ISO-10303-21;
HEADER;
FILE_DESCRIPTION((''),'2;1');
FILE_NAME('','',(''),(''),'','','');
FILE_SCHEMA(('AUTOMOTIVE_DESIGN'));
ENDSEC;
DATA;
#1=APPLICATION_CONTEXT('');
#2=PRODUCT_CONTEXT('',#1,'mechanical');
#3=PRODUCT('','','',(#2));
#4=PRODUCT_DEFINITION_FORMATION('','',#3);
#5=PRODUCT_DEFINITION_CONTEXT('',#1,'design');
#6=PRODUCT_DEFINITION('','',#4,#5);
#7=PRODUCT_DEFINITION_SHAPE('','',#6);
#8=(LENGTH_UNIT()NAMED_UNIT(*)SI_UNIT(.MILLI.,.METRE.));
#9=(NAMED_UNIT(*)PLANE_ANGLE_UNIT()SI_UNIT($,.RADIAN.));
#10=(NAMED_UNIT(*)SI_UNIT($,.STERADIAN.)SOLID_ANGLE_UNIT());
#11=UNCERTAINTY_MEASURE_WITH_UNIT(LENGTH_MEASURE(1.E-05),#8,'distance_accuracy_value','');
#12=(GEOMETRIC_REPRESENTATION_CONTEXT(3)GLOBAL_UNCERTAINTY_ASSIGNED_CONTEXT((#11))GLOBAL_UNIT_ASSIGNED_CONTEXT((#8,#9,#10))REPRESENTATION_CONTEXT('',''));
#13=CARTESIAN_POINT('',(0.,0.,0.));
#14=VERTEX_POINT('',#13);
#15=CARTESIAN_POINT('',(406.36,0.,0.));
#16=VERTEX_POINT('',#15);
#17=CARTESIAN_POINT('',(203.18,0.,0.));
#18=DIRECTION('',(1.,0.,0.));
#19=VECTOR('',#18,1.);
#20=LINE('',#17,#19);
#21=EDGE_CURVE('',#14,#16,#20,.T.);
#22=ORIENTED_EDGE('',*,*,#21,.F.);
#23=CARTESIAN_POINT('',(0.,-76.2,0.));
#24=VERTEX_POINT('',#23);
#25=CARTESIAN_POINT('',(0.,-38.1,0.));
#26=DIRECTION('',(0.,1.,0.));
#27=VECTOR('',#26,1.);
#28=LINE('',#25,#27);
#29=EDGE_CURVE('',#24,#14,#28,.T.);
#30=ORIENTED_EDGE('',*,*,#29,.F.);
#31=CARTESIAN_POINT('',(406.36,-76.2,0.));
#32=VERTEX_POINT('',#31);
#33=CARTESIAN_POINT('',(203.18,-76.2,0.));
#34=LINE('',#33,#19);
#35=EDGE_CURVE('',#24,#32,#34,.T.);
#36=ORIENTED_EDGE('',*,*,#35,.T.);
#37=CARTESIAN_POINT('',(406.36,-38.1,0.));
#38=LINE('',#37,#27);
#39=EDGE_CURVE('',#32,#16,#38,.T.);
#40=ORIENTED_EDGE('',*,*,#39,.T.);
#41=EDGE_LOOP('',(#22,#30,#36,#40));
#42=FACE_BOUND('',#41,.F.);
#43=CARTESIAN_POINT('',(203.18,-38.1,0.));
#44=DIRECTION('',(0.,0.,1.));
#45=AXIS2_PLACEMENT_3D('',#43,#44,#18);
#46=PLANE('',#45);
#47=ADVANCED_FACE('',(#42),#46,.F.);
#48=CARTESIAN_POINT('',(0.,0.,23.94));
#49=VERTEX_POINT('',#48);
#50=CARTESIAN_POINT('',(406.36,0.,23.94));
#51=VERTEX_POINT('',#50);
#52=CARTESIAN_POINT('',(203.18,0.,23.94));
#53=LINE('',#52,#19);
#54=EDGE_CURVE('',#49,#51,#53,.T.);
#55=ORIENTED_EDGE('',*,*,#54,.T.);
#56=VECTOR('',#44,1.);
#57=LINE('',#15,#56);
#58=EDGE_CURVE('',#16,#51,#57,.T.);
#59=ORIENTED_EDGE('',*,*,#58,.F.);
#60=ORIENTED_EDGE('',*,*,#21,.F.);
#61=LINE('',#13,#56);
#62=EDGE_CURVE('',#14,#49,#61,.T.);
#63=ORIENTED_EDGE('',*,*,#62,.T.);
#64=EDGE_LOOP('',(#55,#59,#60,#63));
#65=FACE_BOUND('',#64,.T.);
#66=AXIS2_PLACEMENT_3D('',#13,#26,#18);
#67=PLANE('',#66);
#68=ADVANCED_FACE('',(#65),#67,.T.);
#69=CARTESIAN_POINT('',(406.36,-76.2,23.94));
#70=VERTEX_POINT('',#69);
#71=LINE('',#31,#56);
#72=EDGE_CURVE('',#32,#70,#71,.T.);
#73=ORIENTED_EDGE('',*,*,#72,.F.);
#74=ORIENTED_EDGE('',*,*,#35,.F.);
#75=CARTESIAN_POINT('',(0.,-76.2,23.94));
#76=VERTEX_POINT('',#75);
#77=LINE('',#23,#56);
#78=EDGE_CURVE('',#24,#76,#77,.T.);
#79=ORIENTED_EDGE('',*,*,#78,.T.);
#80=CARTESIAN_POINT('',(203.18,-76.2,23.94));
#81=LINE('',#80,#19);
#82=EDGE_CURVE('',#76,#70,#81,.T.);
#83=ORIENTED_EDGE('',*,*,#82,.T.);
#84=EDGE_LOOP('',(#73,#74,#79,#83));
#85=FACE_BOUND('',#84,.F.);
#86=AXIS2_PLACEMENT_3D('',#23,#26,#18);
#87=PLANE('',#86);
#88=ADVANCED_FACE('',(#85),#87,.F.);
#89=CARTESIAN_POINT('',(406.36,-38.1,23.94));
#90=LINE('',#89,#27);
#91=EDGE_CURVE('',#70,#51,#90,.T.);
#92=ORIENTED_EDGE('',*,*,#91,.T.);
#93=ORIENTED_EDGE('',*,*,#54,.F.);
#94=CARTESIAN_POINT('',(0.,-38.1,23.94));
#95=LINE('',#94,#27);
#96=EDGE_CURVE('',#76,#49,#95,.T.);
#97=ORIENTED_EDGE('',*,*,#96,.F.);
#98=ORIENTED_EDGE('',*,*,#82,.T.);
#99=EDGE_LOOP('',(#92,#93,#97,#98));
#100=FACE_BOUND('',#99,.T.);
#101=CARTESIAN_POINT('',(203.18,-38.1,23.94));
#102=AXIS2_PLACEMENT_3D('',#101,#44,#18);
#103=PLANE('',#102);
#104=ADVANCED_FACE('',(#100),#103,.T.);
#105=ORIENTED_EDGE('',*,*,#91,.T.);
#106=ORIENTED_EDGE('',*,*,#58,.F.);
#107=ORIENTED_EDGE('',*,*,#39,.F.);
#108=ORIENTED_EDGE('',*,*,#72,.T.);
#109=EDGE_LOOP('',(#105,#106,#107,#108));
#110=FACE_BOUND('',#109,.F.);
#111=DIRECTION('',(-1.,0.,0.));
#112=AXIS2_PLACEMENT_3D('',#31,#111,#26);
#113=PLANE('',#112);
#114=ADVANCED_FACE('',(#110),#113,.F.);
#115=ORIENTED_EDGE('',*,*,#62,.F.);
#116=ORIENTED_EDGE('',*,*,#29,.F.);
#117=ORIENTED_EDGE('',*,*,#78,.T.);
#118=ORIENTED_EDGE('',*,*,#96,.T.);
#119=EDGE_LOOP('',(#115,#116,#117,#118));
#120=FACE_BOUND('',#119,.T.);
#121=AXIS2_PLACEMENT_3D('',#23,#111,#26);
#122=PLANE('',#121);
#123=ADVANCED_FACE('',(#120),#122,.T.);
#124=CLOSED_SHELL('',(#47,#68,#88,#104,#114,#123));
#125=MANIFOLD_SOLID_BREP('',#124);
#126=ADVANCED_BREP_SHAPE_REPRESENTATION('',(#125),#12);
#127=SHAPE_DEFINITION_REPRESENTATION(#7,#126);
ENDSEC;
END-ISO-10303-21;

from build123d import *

# Parameters (mm, degrees)
SKETCH_W  = 406.36
SKETCH_H  = 76.2
PAD_DEPTH = 23.94


with BuildPart() as part:
    # Sketch → Pad (new body)
    with BuildSketch(Plane.XY):
        with Locations((203.18, -38.1)):
            Rectangle(SKETCH_W, SKETCH_H)
    extrude(amount=PAD_DEPTH)


solid = part.part
